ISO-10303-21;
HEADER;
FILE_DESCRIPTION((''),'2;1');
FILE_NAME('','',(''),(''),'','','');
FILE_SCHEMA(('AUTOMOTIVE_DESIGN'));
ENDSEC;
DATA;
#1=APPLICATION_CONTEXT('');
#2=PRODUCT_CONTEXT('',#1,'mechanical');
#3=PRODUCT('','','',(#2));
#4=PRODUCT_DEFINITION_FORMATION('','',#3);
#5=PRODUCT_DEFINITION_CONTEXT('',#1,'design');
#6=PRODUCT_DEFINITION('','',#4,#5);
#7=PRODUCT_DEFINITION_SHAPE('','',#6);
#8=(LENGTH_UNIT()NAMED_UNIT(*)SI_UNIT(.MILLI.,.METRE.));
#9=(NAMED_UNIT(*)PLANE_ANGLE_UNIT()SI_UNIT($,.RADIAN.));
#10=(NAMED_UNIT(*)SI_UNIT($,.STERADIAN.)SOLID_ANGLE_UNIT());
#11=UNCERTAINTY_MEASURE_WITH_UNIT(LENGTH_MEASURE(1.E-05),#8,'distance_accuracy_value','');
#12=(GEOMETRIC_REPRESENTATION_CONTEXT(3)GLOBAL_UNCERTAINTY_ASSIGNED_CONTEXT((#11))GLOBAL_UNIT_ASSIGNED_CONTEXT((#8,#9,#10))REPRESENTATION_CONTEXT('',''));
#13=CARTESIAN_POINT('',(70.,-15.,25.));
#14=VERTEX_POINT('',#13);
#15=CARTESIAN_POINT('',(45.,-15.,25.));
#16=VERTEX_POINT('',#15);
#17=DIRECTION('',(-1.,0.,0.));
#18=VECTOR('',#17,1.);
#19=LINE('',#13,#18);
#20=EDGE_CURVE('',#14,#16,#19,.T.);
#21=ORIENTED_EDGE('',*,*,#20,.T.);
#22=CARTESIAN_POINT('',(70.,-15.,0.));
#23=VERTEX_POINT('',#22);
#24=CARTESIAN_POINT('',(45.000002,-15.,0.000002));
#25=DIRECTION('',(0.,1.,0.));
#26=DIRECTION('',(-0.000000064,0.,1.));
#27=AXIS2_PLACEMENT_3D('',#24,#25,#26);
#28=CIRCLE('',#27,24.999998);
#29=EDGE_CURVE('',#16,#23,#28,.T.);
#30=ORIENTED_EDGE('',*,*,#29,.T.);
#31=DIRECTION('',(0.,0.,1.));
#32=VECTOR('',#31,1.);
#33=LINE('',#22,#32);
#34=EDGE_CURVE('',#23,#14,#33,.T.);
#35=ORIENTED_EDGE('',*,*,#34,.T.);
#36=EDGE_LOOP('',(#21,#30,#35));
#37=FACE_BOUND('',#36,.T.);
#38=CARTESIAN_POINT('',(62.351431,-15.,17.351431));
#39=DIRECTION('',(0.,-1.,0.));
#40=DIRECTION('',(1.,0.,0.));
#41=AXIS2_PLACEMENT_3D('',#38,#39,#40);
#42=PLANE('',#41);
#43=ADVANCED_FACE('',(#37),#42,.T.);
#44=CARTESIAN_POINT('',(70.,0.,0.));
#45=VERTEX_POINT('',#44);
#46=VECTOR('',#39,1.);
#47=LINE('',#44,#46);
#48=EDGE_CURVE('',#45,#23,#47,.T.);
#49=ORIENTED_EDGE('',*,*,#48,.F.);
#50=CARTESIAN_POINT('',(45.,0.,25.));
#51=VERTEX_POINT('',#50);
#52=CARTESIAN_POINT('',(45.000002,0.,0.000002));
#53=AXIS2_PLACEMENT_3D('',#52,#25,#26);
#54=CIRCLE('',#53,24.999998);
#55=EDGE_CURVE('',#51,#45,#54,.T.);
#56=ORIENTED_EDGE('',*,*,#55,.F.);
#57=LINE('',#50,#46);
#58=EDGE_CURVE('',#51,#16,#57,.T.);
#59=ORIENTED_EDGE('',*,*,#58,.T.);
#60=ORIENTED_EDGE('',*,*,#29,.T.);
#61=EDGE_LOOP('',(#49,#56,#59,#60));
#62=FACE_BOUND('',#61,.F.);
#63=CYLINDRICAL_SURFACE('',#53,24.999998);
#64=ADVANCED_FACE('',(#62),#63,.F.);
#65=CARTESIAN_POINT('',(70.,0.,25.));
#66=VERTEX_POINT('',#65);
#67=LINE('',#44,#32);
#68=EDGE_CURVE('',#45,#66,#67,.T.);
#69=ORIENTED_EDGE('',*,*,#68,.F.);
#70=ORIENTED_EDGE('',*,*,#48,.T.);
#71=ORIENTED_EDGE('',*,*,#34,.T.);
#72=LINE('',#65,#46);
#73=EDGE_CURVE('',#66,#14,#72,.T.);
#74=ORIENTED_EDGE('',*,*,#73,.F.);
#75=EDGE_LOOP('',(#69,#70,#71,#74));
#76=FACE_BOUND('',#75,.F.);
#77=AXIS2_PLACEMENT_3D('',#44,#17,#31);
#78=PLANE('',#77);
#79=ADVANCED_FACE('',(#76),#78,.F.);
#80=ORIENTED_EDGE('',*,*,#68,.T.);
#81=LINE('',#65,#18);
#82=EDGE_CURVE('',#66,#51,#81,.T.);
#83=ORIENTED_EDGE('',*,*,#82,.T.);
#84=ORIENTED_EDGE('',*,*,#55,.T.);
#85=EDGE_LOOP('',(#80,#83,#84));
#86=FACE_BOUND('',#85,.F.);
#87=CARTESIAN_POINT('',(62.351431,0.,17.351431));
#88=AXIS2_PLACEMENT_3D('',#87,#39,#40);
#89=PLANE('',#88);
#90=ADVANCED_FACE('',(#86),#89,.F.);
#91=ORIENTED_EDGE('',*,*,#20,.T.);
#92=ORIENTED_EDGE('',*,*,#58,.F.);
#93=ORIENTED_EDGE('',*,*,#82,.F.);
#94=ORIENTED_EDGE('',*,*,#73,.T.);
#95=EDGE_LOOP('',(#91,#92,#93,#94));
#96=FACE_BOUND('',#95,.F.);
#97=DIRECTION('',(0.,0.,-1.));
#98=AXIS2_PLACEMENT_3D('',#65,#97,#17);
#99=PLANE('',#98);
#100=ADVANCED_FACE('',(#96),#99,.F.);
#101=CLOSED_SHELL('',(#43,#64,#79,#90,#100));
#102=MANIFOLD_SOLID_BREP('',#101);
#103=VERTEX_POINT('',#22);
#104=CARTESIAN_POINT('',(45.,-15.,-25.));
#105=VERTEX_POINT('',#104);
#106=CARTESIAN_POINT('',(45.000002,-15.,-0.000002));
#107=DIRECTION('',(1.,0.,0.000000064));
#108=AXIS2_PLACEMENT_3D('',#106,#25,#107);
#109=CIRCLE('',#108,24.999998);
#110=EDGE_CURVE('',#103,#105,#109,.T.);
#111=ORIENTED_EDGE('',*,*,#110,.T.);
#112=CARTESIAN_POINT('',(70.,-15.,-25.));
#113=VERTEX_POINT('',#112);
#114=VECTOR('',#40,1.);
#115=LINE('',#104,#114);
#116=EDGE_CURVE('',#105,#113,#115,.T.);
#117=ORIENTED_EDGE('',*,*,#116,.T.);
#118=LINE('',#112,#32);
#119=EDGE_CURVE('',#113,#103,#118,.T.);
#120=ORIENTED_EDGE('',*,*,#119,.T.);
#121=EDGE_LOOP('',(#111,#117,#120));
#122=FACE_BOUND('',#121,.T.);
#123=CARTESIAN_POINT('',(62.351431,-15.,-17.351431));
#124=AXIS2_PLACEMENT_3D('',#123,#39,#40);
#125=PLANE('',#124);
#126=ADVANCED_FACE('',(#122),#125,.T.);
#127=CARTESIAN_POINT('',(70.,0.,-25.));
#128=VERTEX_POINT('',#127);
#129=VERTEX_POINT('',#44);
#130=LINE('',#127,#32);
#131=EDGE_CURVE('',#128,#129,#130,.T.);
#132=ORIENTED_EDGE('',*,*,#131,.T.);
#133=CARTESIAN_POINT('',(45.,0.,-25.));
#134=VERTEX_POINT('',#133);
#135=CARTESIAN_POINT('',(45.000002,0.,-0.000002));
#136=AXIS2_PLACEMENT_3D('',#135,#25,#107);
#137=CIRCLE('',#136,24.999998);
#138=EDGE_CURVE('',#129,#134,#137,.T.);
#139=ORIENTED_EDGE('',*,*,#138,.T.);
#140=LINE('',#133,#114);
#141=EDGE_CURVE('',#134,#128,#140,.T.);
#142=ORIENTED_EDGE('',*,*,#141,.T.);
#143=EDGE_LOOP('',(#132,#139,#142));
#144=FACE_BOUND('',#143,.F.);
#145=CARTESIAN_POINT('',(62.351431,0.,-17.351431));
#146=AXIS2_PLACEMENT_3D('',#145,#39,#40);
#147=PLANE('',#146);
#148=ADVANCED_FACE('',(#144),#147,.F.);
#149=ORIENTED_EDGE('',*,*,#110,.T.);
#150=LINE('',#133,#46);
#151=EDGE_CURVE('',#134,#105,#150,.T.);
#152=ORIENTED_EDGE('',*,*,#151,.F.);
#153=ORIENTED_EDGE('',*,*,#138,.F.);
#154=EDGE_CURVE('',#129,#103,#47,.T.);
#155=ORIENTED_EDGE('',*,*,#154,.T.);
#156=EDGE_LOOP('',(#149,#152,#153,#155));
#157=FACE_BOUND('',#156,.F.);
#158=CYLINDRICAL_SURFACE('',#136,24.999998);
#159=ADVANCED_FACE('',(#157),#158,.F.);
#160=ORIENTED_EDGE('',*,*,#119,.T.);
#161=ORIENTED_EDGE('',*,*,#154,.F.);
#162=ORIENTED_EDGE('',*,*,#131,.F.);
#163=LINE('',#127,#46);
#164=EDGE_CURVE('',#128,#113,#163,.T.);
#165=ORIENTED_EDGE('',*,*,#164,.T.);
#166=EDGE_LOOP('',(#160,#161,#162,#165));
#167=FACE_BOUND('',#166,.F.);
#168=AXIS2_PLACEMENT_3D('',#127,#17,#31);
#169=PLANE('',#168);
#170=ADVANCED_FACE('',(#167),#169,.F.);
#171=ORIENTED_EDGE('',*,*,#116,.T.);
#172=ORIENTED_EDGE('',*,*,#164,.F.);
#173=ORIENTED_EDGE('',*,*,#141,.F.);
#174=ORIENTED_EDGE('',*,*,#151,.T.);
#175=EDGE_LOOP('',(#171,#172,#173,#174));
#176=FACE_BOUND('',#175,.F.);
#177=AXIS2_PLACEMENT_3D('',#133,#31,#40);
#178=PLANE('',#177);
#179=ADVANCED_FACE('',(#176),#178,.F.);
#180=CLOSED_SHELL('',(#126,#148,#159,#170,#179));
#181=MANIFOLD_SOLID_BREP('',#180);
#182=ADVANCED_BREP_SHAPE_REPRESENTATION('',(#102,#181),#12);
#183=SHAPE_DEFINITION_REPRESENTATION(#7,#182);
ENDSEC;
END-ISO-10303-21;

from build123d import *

# Parameters (mm, degrees)
F1_DEPTH = 15


with BuildPart() as f1:
    # F0 (on Front) → F1 (new body)
    with BuildSketch(Plane.XZ):
        with BuildLine():
            Line((70, 0), (70, 25))
            Line((70, 25), (45, 25))
            ThreePointArc((45, 25), (62.67767, 17.67767), (70, 0))
        make_face()
        with BuildLine():
            Line((70, -25), (70, 0))
            ThreePointArc((70, 0), (62.67767, -17.67767), (45, -25))
            Line((45, -25), (70, -25))
        make_face()
    extrude(amount=F1_DEPTH)


solid = f1.part
